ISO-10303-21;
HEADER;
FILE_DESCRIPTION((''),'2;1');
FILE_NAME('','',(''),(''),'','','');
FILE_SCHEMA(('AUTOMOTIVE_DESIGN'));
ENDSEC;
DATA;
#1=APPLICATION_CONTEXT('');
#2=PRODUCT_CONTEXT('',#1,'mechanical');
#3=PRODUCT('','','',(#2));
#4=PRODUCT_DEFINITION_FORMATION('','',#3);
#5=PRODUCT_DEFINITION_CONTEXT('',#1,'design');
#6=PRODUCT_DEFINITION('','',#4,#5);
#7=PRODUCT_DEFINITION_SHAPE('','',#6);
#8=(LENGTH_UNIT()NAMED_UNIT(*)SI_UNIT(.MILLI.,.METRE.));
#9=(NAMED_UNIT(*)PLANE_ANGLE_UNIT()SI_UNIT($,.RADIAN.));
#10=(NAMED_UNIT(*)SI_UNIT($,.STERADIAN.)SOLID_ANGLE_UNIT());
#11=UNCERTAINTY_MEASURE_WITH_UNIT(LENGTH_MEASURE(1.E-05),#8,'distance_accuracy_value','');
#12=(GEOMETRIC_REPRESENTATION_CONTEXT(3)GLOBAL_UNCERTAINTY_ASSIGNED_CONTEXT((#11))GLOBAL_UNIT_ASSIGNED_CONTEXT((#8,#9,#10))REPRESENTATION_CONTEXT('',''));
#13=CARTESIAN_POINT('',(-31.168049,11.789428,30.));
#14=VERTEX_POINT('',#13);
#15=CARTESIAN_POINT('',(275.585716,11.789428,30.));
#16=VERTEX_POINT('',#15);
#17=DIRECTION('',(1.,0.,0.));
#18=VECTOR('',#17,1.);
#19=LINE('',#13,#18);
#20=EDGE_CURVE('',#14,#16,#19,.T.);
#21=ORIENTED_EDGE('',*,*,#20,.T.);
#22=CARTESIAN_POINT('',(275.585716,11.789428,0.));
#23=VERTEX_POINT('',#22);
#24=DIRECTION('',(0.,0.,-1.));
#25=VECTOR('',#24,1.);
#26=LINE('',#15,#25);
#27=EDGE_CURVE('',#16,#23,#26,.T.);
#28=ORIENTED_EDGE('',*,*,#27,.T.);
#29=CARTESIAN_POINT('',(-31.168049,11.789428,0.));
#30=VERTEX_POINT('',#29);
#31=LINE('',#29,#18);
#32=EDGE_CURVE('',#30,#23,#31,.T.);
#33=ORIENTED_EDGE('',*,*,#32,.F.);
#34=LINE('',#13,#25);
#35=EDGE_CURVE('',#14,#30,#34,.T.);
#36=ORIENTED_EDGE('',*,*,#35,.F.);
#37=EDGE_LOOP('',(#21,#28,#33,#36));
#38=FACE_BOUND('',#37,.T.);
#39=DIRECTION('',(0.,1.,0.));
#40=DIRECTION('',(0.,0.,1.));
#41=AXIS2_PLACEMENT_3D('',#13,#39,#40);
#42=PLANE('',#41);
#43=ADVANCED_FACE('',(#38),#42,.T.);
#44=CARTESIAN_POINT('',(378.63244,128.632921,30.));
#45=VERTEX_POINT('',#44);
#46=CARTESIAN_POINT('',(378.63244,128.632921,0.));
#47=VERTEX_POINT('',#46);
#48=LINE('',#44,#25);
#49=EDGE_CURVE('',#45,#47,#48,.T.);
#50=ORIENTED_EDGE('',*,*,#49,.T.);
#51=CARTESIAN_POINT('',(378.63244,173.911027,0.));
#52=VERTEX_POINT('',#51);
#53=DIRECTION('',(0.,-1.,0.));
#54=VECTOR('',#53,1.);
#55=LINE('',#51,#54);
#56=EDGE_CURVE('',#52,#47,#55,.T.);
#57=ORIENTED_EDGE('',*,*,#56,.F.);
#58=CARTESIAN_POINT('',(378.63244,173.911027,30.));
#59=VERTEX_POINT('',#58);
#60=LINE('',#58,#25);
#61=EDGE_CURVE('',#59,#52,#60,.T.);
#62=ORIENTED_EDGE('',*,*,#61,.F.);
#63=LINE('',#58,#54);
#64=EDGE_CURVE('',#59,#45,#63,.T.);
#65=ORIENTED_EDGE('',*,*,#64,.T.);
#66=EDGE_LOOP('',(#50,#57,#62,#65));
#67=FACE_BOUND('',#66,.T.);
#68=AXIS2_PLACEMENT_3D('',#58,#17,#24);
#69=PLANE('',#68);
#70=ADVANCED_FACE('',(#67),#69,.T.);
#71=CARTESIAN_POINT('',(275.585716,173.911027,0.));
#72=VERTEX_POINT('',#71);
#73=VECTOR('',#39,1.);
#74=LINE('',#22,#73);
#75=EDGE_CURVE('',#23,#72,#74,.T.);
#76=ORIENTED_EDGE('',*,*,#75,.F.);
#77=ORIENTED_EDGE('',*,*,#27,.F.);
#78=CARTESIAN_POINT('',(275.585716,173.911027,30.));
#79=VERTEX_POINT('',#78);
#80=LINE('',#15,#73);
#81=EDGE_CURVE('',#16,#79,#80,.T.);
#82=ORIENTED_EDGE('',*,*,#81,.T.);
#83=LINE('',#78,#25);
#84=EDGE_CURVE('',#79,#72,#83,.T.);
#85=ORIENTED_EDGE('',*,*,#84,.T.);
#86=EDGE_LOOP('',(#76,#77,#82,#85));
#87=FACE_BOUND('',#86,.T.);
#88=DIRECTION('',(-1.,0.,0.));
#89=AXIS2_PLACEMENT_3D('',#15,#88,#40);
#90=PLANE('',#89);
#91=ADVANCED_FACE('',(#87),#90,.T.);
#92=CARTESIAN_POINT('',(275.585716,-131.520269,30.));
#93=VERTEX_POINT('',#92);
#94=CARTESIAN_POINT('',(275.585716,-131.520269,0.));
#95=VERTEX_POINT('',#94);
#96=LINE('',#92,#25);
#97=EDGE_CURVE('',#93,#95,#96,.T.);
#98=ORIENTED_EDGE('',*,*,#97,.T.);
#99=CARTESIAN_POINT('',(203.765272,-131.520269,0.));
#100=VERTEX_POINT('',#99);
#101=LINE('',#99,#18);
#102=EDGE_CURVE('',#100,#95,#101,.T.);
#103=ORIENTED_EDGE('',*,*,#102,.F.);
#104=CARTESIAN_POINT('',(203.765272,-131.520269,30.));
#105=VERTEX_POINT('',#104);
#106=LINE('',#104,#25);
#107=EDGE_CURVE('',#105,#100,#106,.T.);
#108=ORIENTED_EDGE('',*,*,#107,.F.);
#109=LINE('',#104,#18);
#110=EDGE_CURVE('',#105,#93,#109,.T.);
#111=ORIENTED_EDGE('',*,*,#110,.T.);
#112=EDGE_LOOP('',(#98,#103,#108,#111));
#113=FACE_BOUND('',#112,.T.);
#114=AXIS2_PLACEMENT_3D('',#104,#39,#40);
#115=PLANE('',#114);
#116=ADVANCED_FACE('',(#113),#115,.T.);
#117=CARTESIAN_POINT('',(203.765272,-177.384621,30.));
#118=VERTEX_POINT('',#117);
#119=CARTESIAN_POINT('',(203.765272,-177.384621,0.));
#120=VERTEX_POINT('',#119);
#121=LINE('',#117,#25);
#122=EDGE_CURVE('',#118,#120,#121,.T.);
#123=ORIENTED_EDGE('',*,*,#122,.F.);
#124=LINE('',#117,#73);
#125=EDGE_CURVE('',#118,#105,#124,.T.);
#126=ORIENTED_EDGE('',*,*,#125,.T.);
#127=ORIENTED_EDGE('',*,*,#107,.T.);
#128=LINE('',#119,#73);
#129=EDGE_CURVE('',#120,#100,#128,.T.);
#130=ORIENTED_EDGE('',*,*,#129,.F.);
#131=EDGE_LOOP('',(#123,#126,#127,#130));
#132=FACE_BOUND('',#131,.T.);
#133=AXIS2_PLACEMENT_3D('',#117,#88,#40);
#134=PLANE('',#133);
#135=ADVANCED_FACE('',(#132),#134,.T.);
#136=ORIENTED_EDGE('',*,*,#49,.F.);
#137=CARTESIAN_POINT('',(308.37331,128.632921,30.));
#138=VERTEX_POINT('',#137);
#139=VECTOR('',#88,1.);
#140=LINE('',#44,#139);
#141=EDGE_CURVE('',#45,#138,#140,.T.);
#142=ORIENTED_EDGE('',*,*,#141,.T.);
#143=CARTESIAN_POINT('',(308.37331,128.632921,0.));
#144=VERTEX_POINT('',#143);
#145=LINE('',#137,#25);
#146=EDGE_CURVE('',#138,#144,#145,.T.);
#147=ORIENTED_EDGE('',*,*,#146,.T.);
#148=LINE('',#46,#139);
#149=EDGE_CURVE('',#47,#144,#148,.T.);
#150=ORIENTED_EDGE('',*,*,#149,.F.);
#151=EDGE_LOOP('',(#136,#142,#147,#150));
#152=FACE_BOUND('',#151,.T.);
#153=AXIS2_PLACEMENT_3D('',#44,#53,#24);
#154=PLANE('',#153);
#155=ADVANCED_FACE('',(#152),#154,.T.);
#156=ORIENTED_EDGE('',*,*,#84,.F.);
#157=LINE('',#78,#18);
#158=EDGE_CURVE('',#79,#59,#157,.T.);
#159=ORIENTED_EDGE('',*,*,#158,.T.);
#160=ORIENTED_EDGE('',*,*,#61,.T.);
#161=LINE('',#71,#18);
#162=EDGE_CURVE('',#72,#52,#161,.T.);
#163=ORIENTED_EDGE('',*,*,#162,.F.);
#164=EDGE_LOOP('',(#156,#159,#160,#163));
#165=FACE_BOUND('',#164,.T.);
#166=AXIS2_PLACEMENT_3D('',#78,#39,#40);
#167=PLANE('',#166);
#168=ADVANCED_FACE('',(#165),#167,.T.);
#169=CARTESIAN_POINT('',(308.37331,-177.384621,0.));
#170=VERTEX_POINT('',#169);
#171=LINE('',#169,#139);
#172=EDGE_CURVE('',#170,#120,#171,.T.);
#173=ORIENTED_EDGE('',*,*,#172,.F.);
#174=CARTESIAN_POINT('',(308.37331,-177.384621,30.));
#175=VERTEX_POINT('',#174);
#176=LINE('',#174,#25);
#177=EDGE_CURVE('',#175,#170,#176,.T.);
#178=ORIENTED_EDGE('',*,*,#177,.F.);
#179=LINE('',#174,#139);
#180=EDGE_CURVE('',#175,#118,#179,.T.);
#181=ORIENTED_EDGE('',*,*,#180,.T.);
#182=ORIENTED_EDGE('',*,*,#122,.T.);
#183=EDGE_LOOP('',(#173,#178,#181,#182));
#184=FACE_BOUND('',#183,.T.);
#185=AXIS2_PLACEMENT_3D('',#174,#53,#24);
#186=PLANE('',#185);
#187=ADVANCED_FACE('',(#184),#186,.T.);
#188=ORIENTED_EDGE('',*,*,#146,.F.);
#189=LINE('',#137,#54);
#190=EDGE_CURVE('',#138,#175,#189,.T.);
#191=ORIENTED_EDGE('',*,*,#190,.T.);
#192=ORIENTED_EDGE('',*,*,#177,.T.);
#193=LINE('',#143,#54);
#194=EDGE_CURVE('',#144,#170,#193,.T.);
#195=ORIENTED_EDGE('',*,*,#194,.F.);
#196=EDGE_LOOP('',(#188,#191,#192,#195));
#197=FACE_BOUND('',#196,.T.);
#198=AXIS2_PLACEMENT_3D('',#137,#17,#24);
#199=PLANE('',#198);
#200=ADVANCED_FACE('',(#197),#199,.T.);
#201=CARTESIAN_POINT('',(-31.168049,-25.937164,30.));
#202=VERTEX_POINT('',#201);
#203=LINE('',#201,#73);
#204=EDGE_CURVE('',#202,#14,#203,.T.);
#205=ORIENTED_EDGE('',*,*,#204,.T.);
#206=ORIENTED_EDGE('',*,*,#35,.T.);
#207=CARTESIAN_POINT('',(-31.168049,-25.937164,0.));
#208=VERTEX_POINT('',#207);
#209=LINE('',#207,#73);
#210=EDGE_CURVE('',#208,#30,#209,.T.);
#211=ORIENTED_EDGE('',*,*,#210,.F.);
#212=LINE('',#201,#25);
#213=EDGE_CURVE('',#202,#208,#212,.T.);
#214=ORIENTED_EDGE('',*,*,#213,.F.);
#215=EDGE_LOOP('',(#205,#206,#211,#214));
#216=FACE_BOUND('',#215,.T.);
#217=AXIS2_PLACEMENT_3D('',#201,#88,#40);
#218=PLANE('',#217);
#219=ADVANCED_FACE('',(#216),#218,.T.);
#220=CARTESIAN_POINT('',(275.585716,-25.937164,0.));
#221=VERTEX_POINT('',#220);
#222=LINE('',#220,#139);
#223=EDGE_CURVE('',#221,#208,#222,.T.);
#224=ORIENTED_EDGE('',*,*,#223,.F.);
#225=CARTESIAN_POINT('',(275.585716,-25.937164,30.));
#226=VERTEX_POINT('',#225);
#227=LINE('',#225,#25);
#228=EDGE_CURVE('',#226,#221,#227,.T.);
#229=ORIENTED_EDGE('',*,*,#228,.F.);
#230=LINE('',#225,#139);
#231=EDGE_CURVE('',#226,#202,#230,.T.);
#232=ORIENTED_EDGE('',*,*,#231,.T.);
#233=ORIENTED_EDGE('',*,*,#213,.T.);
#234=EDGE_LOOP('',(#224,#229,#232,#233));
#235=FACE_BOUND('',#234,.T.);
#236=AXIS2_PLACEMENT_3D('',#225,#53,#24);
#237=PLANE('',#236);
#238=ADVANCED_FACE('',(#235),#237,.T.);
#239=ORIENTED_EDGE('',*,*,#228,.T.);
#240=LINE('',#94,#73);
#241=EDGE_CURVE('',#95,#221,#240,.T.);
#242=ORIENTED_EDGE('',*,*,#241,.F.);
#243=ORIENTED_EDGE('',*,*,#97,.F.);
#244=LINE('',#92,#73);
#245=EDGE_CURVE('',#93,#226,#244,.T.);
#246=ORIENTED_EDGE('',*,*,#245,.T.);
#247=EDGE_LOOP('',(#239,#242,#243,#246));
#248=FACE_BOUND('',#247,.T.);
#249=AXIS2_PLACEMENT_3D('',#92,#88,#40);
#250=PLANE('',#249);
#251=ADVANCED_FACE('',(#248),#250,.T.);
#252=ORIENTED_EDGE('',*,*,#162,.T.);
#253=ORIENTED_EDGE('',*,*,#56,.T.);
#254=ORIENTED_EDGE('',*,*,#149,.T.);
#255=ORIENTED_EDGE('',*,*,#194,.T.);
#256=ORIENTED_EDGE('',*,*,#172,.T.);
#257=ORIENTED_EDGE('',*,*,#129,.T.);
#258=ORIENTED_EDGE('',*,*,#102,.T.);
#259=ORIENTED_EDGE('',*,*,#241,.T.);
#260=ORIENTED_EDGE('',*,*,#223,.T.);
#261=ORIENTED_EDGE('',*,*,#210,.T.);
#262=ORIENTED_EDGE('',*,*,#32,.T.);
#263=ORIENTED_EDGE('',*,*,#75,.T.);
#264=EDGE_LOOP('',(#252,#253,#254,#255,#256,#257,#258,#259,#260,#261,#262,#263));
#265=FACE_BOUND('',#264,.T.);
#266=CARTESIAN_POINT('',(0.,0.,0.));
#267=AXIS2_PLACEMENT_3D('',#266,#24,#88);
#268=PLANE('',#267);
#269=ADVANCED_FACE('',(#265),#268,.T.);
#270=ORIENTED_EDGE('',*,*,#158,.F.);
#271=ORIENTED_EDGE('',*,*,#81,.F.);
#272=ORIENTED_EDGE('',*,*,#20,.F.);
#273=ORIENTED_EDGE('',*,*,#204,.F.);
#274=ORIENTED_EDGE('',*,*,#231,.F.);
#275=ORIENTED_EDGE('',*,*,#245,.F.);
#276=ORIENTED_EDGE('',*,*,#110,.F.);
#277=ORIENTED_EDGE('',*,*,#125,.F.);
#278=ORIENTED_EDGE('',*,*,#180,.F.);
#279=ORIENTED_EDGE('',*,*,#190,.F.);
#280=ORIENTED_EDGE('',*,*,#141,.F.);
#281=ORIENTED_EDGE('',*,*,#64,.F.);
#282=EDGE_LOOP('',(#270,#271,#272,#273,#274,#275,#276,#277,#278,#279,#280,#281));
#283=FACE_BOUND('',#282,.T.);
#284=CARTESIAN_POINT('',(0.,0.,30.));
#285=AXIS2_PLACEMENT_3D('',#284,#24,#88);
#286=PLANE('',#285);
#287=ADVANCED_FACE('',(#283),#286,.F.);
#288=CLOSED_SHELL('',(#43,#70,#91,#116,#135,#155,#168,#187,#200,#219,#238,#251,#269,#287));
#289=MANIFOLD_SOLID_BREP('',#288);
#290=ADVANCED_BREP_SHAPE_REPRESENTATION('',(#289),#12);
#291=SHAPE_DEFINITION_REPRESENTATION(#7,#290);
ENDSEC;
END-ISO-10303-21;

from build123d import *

# Parameters (mm, degrees)
EXTRUDE_1_DEPTH = 30


with BuildPart() as part:
    # Эскиз1 → Бобышка-Вытянуть1 (new body)
    with BuildSketch(Plane.XY):
        Polygon((-31.168048814, 11.789428362), (275.585716028, 11.789428362), (275.585716028, 173.911027101), (378.632439589, 173.911027101), (378.632439589, 128.632921293), (308.373309888, 128.632921293), (308.373309888, -177.384621404), (203.765272334, -177.384621404), (203.765272334, -131.52026862), (275.585716028, -131.52026862), (275.585716028, -25.937164048), (-31.168048814, -25.937164048), align=None)
    extrude(amount=EXTRUDE_1_DEPTH)


solid = part.part
